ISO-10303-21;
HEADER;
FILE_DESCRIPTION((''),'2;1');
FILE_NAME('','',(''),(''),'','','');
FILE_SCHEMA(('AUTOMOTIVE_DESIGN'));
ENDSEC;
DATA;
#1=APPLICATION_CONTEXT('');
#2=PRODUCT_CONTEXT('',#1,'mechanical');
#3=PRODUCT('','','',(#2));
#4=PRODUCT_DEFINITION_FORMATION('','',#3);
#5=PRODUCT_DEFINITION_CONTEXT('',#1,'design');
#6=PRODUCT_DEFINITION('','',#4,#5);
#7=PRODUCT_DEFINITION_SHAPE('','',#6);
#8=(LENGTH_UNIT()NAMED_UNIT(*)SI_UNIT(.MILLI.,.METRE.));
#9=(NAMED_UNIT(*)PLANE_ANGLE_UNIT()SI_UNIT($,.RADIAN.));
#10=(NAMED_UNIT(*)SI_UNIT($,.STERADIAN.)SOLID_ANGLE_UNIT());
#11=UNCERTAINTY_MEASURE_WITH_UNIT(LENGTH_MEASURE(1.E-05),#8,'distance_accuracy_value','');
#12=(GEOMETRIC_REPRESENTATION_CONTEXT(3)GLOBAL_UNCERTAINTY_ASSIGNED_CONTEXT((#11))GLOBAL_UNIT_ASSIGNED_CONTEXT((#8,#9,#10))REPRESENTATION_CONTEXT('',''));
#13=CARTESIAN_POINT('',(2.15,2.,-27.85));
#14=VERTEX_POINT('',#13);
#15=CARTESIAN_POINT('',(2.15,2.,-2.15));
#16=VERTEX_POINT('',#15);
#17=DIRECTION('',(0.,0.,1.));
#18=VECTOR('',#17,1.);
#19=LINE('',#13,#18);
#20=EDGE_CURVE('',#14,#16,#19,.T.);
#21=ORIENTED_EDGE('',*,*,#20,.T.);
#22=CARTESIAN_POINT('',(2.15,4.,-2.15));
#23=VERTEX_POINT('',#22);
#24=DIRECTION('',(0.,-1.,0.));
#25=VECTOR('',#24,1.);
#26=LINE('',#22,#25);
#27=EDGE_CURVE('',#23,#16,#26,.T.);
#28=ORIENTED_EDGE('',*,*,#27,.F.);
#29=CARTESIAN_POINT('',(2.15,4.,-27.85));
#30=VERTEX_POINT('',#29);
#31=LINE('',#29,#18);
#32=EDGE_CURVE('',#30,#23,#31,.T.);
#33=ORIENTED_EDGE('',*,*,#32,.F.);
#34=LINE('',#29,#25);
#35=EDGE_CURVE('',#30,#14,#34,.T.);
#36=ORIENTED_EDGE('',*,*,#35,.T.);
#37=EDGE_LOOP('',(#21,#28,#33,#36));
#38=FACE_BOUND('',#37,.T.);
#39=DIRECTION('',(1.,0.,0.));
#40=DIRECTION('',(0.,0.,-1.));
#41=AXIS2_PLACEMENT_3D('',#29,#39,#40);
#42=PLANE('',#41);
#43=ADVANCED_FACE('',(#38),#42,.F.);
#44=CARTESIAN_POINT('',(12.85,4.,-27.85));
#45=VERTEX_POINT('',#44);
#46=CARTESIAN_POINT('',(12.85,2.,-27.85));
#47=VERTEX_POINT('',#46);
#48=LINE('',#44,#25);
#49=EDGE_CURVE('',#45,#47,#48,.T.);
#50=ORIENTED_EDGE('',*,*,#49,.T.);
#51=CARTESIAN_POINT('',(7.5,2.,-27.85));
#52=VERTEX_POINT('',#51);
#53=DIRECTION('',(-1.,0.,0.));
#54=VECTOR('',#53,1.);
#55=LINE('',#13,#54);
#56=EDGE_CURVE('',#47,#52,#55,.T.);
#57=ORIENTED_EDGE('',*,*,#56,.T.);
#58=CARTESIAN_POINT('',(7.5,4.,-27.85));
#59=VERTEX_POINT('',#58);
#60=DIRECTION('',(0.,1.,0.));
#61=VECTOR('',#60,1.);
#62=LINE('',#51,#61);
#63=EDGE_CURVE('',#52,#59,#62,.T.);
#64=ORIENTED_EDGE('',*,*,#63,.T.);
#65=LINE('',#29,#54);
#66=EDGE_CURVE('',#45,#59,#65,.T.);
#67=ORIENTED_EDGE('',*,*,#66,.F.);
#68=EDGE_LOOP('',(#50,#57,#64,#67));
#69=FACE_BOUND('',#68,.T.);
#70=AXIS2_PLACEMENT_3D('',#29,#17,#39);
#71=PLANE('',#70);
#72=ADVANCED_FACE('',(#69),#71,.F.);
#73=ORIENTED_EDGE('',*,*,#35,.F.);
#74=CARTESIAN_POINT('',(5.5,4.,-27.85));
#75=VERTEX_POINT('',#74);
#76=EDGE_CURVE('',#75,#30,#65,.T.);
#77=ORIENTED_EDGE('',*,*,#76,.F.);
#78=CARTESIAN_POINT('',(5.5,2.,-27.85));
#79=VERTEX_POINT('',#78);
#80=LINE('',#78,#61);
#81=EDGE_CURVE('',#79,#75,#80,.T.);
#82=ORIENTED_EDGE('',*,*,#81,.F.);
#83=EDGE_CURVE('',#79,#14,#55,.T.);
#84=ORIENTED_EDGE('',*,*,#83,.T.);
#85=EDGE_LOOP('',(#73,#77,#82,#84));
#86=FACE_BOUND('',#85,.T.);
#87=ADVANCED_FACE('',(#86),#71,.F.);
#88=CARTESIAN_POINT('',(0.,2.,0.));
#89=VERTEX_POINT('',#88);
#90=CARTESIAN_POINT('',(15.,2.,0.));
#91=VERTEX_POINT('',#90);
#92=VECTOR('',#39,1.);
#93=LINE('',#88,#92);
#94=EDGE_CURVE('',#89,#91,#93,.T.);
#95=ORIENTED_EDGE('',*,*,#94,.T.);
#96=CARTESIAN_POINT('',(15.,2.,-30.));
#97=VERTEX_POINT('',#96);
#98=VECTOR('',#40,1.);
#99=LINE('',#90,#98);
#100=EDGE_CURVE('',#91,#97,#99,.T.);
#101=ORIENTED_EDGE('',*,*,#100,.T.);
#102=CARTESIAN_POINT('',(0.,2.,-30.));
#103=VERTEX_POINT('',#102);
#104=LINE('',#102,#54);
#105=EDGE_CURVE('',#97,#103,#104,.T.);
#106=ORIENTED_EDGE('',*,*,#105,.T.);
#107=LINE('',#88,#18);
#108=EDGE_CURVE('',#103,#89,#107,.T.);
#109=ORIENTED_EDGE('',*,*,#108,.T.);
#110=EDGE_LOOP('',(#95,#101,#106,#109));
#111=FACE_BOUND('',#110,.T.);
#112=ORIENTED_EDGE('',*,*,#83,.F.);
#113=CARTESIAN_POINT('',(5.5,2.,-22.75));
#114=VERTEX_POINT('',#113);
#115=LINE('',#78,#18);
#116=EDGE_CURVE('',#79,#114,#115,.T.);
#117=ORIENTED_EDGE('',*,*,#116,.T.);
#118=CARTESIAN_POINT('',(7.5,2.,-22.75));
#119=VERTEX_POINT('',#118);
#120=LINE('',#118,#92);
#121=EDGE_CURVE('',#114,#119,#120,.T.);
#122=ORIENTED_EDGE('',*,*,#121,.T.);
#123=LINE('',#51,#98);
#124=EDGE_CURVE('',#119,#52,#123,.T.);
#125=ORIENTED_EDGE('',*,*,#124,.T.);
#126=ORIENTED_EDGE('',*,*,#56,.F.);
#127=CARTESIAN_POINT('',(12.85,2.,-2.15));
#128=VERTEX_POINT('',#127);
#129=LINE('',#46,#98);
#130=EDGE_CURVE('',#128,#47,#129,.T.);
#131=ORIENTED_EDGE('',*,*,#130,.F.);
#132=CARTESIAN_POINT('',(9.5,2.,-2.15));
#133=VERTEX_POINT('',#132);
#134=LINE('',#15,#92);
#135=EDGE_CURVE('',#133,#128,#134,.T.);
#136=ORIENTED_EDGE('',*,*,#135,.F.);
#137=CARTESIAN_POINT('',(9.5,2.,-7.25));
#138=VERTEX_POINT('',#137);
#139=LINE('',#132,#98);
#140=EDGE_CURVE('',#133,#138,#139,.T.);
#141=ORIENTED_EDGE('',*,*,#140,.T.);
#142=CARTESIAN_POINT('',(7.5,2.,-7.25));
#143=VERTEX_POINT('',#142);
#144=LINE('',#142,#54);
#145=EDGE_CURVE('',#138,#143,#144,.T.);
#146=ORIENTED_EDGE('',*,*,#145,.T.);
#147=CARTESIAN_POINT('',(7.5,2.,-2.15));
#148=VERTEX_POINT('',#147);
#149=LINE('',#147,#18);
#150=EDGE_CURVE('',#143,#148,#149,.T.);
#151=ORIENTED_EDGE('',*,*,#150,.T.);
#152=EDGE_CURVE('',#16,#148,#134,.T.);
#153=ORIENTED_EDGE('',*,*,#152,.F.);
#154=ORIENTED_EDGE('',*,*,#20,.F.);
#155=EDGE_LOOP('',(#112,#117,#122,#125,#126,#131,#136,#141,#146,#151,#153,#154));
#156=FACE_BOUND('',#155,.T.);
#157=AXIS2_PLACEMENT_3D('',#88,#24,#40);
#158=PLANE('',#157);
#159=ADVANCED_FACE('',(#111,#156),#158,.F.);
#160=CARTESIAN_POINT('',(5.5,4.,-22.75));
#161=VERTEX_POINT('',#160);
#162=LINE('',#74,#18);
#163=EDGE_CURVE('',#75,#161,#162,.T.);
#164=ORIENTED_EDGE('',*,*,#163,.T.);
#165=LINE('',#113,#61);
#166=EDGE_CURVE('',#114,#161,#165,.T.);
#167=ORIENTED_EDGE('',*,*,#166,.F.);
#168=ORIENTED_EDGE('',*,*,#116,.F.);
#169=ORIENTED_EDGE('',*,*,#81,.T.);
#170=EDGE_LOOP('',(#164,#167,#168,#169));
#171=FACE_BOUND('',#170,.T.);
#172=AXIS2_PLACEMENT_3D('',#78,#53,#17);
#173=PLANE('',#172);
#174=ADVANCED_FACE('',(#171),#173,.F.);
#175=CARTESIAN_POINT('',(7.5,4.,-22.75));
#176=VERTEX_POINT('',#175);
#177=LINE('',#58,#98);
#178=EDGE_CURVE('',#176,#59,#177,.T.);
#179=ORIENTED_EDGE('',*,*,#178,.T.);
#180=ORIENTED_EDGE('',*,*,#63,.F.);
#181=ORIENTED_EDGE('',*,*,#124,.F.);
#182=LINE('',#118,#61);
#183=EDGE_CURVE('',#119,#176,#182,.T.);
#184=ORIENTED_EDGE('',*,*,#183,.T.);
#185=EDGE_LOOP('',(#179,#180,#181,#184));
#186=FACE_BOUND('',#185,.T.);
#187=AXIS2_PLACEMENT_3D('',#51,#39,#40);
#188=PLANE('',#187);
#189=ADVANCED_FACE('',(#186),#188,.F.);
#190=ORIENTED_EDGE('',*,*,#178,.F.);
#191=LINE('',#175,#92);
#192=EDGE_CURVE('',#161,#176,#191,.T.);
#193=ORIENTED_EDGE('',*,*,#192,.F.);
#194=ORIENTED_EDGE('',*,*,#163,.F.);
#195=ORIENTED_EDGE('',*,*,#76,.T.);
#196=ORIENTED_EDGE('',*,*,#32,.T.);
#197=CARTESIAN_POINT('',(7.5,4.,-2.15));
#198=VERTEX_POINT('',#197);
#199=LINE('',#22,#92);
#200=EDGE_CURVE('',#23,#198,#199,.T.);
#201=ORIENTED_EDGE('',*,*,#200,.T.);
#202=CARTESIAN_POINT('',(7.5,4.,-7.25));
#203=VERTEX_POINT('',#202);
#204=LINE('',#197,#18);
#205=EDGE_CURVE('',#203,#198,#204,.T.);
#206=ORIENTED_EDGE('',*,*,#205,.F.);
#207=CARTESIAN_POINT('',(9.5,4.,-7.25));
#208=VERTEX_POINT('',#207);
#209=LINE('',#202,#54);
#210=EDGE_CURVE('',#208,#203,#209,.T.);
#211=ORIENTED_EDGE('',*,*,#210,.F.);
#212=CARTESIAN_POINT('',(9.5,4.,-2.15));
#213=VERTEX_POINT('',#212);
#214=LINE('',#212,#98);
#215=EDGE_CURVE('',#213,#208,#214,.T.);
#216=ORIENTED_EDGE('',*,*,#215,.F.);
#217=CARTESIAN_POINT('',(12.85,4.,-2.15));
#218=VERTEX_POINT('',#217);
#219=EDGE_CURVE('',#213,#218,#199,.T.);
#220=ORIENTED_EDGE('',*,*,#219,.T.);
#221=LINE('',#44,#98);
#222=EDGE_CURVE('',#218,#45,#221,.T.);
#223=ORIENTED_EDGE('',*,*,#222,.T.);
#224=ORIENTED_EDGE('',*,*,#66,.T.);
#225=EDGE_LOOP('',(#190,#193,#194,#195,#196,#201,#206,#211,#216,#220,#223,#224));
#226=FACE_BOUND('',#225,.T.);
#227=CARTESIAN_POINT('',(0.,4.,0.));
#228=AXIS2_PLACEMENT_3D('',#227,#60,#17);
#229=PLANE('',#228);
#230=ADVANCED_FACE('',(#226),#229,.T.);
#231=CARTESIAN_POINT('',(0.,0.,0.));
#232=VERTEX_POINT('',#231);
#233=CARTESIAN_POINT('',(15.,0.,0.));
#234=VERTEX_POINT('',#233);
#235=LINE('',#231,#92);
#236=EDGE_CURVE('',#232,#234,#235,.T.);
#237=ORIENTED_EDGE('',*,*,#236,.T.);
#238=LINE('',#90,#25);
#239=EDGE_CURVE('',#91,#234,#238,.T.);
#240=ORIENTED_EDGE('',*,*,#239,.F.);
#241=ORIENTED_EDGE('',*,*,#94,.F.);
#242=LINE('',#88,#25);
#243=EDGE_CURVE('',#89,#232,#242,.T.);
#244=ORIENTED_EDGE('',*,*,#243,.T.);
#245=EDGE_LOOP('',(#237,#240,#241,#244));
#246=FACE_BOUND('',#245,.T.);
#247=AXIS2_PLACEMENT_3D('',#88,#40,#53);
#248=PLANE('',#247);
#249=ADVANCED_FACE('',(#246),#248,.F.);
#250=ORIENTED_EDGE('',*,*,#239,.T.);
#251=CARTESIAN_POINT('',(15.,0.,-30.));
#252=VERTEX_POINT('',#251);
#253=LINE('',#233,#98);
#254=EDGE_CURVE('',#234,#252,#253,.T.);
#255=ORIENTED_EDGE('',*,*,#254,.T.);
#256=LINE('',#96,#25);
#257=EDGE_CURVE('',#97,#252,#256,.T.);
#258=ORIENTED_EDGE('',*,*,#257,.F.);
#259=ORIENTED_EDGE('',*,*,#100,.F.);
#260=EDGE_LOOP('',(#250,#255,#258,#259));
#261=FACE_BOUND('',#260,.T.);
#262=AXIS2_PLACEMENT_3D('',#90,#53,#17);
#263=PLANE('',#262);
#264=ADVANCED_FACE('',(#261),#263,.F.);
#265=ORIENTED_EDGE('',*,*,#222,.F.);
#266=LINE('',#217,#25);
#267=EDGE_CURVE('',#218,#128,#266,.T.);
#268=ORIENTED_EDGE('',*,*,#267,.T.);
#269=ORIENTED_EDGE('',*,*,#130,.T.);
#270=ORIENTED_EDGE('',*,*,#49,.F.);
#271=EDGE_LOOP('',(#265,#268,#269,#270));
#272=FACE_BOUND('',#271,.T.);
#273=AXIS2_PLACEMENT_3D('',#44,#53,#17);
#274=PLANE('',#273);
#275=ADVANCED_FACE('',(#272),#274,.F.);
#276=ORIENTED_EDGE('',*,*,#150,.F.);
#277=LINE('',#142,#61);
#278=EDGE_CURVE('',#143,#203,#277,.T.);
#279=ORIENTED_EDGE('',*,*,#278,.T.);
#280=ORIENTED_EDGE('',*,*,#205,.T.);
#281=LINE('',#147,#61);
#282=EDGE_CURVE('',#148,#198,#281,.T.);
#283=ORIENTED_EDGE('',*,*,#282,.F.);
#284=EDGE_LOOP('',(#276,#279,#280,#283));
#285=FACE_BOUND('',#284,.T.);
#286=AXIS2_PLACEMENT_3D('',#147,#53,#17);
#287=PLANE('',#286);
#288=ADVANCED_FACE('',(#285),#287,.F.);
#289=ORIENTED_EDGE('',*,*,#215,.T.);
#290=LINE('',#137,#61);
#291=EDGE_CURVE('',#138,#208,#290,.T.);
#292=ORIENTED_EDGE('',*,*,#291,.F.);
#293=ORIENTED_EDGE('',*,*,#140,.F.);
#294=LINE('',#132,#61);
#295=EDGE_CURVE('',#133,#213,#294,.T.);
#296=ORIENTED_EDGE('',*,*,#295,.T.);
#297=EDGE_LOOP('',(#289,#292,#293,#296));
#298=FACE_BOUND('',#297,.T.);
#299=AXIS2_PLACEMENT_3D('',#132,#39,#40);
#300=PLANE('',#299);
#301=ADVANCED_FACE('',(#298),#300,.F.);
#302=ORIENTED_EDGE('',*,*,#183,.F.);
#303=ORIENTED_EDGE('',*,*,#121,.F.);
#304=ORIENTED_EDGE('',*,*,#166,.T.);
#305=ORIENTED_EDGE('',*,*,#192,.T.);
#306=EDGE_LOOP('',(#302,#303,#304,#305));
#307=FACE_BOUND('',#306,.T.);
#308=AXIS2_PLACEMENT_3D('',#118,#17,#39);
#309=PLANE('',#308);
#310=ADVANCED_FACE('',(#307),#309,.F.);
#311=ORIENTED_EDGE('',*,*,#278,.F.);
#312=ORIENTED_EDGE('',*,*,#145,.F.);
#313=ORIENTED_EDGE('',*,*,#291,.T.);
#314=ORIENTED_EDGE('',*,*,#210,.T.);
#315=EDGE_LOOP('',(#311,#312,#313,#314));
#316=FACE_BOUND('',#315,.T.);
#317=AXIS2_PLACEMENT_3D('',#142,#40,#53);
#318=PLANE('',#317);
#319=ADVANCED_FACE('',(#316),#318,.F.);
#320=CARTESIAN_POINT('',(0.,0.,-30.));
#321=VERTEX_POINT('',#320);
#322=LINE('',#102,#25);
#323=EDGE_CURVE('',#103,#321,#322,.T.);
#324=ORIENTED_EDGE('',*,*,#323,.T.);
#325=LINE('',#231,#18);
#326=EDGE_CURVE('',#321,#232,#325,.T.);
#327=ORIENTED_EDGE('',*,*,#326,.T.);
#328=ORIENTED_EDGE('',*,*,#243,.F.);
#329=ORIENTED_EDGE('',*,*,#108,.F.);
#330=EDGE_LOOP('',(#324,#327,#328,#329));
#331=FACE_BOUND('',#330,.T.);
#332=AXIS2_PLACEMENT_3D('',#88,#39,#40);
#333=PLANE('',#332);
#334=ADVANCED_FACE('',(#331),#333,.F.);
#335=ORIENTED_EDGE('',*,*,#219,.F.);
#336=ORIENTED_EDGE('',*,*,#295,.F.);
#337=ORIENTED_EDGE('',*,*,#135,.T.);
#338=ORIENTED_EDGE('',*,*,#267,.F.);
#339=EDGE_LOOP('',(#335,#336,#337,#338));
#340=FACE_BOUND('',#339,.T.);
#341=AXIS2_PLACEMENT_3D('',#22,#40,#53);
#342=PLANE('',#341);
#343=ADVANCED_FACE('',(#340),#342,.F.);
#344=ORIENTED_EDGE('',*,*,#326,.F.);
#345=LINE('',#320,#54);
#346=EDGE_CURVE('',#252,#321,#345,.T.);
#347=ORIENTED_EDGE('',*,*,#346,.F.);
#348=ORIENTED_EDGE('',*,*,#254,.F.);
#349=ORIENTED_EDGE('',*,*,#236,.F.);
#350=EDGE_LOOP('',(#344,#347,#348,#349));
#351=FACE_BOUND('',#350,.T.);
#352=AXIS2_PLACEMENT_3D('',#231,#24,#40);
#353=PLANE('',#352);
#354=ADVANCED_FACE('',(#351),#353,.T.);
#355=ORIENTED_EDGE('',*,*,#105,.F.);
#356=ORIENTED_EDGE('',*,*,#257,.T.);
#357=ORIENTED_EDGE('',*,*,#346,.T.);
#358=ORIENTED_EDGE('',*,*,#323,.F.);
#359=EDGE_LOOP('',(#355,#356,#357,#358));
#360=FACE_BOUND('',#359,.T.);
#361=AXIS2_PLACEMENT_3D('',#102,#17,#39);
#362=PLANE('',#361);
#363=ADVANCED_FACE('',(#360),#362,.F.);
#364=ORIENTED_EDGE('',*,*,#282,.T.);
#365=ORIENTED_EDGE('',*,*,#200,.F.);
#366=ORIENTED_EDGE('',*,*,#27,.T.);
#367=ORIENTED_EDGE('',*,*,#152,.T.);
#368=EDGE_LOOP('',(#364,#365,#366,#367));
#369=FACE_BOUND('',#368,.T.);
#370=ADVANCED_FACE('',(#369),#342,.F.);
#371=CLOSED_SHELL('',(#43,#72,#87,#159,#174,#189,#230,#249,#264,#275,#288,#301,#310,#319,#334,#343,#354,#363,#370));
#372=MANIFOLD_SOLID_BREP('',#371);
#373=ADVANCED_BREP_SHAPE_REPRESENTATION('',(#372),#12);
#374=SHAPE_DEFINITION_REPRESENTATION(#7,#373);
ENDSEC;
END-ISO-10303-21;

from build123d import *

# Parameters (mm, degrees)
SKETCH1_W           = 15
SKETCH1_H           = 30
BOSS_EXTRUDE1_DEPTH = 2
SKETCH2_W           = 10.7
SKETCH2_H           = 25.7
BOSS_EXTRUDE2_DEPTH = 2
SKETCH3_W           = 2
SKETCH3_H           = 5.1
CUT_EXTRUDE1_DEPTH  = 2


with BuildPart() as part:
    # Sketch1 → Boss-Extrude1 (new body)
    with BuildSketch(Plane(origin=(0, 0, 0), x_dir=(1, 0, 0), z_dir=(0, 1, 0))):
        with Locations((7.5, 15)):
            Rectangle(SKETCH1_W, SKETCH1_H)
    extrude(amount=BOSS_EXTRUDE1_DEPTH)

    # Sketch2 → Boss-Extrude2 (add)
    with BuildSketch(Plane(origin=(0, 2, 0), x_dir=(1, 0, 0), z_dir=(0, 1, 0))):
        with Locations((7.5, 15)):
            Rectangle(SKETCH2_W, SKETCH2_H)
    extrude(amount=BOSS_EXTRUDE2_DEPTH)

    # Sketch3 → Cut-Extrude1 (cut)
    with BuildSketch(Plane(origin=(0, 4, 0), x_dir=(1, 0, 0), z_dir=(0, 1, 0))):
        with Locations((6.5, 25.3)):
            Rectangle(SKETCH3_W, SKETCH3_H)
        with Locations((8.5, 4.7)):
            Rectangle(SKETCH3_W, SKETCH3_H)
    extrude(amount=-CUT_EXTRUDE1_DEPTH, mode=Mode.SUBTRACT)


solid = part.part
